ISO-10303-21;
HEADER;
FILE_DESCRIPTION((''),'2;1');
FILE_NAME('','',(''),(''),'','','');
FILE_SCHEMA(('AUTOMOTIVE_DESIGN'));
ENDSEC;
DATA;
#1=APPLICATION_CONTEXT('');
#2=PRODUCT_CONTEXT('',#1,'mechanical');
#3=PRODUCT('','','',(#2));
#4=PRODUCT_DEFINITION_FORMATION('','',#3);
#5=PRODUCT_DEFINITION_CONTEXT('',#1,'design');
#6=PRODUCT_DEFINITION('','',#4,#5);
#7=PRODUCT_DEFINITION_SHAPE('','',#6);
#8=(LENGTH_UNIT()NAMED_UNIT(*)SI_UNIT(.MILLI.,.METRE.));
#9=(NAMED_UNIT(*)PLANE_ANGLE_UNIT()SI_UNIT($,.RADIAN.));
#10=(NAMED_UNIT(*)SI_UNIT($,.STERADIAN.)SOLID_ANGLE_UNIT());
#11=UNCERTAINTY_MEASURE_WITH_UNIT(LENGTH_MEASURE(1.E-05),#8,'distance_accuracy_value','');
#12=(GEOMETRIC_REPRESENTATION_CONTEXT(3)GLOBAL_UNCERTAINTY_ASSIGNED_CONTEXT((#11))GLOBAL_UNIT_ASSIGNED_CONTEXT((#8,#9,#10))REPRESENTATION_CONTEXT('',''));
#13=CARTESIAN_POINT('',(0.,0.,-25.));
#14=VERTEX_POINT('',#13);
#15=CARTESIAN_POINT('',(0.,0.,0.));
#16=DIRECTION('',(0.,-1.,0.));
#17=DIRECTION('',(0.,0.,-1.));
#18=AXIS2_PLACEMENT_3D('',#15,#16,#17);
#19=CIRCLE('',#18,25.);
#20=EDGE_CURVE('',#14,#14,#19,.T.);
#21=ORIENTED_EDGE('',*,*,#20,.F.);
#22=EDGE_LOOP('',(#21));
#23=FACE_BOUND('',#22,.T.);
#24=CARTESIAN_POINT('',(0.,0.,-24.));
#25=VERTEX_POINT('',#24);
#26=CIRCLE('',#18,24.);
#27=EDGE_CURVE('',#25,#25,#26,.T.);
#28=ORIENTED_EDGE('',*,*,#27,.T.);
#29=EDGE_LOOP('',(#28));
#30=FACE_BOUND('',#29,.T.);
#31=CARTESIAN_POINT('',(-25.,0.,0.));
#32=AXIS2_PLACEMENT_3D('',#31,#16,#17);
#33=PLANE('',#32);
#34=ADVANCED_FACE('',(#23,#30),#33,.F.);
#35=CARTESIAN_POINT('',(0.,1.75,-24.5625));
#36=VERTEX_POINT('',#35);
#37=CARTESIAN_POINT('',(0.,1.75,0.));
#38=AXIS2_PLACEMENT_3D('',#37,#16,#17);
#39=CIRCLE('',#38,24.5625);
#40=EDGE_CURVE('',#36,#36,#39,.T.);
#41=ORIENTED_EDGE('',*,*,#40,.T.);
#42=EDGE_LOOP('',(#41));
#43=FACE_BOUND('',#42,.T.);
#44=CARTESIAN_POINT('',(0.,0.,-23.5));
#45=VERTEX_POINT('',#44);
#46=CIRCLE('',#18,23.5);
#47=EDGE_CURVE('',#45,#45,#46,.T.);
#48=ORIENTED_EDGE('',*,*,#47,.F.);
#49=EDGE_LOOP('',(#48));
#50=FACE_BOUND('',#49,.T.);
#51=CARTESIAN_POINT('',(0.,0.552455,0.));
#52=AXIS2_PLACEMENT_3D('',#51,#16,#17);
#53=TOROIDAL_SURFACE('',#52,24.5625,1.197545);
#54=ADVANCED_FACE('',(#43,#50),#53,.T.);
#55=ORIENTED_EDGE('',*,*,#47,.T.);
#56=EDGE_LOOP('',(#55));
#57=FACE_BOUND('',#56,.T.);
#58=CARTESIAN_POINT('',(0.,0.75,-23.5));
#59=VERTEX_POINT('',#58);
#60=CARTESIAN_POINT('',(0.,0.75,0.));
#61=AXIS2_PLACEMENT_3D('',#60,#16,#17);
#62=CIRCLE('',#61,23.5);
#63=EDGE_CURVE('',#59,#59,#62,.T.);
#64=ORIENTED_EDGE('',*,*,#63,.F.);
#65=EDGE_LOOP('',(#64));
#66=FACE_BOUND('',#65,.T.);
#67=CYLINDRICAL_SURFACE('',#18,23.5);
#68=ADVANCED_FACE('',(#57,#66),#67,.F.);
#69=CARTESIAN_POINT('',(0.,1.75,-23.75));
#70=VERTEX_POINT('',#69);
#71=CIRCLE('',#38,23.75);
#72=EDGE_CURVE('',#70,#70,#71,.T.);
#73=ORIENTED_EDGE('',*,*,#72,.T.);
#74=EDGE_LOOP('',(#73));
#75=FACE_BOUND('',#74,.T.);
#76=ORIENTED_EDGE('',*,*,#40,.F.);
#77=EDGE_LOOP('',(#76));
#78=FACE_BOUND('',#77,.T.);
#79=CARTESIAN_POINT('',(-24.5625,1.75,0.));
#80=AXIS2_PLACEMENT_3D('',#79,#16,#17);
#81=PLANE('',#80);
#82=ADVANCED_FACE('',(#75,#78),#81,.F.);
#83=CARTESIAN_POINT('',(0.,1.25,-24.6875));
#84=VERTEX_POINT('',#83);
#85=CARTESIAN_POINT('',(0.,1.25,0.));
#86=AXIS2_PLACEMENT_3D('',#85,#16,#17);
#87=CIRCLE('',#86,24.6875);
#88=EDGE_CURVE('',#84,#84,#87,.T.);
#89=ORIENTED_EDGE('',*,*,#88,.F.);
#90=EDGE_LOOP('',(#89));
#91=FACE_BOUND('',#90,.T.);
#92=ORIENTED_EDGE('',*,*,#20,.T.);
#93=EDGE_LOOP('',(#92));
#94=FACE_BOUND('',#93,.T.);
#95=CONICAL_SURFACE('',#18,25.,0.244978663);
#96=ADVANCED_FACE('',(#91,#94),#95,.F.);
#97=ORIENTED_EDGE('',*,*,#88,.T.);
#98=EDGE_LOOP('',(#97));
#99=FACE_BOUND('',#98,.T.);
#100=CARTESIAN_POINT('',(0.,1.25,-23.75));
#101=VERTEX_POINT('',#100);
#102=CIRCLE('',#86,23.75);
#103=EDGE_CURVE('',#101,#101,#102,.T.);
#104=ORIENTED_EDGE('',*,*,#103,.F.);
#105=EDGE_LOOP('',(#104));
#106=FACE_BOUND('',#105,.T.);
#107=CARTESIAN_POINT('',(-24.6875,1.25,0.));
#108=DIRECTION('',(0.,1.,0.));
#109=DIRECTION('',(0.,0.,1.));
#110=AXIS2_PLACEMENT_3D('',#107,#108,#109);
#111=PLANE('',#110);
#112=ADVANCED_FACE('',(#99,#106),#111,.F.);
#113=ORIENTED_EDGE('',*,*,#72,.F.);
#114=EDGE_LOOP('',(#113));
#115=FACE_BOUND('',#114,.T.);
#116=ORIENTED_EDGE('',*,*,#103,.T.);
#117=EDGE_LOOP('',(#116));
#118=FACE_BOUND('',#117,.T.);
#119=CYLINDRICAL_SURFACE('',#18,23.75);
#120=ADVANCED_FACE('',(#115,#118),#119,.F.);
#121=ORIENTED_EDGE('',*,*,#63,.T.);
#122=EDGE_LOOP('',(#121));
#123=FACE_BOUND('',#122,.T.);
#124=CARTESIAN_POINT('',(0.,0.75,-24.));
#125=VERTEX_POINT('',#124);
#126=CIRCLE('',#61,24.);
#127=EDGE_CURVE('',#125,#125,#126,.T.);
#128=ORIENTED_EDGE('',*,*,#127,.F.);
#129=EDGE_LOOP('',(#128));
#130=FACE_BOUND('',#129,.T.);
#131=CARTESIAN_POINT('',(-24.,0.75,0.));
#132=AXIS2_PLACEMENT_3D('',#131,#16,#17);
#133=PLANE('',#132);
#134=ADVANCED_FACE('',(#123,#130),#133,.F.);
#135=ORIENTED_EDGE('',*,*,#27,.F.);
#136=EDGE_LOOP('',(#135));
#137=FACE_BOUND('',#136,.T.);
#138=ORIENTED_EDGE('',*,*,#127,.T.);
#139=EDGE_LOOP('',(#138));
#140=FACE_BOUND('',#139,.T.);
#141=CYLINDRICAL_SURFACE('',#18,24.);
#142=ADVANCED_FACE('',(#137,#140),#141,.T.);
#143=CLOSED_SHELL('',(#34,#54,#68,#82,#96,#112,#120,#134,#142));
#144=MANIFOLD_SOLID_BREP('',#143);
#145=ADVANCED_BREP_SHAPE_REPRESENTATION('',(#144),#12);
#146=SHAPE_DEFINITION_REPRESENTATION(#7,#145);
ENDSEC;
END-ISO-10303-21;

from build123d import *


with BuildPart() as part:
    # Sketch1 → Revolve1 (revolve)
    with BuildSketch(Plane.XY):
        with BuildLine():
            Line((-24.6875, 1.25), (-25, 0))
            Line((-25, 0), (-24, 0))
            Line((-24, 0), (-24, 0.75))
            Line((-24, 0.75), (-23.5, 0.75))
            Line((-23.5, 0.75), (-23.5, 0))
            ThreePointArc((-23.5, 0), (-25.58614621, -0.069044127), (-24.5625, 1.75))
            Line((-24.5625, 1.75), (-23.75, 1.75))
            Line((-23.75, 1.75), (-23.75, 1.25))
            Line((-23.75, 1.25), (-24.6875, 1.25))
        make_face()
    revolve(axis=Axis((0, 0, 0), (0, 1, 0)))


solid = part.part
